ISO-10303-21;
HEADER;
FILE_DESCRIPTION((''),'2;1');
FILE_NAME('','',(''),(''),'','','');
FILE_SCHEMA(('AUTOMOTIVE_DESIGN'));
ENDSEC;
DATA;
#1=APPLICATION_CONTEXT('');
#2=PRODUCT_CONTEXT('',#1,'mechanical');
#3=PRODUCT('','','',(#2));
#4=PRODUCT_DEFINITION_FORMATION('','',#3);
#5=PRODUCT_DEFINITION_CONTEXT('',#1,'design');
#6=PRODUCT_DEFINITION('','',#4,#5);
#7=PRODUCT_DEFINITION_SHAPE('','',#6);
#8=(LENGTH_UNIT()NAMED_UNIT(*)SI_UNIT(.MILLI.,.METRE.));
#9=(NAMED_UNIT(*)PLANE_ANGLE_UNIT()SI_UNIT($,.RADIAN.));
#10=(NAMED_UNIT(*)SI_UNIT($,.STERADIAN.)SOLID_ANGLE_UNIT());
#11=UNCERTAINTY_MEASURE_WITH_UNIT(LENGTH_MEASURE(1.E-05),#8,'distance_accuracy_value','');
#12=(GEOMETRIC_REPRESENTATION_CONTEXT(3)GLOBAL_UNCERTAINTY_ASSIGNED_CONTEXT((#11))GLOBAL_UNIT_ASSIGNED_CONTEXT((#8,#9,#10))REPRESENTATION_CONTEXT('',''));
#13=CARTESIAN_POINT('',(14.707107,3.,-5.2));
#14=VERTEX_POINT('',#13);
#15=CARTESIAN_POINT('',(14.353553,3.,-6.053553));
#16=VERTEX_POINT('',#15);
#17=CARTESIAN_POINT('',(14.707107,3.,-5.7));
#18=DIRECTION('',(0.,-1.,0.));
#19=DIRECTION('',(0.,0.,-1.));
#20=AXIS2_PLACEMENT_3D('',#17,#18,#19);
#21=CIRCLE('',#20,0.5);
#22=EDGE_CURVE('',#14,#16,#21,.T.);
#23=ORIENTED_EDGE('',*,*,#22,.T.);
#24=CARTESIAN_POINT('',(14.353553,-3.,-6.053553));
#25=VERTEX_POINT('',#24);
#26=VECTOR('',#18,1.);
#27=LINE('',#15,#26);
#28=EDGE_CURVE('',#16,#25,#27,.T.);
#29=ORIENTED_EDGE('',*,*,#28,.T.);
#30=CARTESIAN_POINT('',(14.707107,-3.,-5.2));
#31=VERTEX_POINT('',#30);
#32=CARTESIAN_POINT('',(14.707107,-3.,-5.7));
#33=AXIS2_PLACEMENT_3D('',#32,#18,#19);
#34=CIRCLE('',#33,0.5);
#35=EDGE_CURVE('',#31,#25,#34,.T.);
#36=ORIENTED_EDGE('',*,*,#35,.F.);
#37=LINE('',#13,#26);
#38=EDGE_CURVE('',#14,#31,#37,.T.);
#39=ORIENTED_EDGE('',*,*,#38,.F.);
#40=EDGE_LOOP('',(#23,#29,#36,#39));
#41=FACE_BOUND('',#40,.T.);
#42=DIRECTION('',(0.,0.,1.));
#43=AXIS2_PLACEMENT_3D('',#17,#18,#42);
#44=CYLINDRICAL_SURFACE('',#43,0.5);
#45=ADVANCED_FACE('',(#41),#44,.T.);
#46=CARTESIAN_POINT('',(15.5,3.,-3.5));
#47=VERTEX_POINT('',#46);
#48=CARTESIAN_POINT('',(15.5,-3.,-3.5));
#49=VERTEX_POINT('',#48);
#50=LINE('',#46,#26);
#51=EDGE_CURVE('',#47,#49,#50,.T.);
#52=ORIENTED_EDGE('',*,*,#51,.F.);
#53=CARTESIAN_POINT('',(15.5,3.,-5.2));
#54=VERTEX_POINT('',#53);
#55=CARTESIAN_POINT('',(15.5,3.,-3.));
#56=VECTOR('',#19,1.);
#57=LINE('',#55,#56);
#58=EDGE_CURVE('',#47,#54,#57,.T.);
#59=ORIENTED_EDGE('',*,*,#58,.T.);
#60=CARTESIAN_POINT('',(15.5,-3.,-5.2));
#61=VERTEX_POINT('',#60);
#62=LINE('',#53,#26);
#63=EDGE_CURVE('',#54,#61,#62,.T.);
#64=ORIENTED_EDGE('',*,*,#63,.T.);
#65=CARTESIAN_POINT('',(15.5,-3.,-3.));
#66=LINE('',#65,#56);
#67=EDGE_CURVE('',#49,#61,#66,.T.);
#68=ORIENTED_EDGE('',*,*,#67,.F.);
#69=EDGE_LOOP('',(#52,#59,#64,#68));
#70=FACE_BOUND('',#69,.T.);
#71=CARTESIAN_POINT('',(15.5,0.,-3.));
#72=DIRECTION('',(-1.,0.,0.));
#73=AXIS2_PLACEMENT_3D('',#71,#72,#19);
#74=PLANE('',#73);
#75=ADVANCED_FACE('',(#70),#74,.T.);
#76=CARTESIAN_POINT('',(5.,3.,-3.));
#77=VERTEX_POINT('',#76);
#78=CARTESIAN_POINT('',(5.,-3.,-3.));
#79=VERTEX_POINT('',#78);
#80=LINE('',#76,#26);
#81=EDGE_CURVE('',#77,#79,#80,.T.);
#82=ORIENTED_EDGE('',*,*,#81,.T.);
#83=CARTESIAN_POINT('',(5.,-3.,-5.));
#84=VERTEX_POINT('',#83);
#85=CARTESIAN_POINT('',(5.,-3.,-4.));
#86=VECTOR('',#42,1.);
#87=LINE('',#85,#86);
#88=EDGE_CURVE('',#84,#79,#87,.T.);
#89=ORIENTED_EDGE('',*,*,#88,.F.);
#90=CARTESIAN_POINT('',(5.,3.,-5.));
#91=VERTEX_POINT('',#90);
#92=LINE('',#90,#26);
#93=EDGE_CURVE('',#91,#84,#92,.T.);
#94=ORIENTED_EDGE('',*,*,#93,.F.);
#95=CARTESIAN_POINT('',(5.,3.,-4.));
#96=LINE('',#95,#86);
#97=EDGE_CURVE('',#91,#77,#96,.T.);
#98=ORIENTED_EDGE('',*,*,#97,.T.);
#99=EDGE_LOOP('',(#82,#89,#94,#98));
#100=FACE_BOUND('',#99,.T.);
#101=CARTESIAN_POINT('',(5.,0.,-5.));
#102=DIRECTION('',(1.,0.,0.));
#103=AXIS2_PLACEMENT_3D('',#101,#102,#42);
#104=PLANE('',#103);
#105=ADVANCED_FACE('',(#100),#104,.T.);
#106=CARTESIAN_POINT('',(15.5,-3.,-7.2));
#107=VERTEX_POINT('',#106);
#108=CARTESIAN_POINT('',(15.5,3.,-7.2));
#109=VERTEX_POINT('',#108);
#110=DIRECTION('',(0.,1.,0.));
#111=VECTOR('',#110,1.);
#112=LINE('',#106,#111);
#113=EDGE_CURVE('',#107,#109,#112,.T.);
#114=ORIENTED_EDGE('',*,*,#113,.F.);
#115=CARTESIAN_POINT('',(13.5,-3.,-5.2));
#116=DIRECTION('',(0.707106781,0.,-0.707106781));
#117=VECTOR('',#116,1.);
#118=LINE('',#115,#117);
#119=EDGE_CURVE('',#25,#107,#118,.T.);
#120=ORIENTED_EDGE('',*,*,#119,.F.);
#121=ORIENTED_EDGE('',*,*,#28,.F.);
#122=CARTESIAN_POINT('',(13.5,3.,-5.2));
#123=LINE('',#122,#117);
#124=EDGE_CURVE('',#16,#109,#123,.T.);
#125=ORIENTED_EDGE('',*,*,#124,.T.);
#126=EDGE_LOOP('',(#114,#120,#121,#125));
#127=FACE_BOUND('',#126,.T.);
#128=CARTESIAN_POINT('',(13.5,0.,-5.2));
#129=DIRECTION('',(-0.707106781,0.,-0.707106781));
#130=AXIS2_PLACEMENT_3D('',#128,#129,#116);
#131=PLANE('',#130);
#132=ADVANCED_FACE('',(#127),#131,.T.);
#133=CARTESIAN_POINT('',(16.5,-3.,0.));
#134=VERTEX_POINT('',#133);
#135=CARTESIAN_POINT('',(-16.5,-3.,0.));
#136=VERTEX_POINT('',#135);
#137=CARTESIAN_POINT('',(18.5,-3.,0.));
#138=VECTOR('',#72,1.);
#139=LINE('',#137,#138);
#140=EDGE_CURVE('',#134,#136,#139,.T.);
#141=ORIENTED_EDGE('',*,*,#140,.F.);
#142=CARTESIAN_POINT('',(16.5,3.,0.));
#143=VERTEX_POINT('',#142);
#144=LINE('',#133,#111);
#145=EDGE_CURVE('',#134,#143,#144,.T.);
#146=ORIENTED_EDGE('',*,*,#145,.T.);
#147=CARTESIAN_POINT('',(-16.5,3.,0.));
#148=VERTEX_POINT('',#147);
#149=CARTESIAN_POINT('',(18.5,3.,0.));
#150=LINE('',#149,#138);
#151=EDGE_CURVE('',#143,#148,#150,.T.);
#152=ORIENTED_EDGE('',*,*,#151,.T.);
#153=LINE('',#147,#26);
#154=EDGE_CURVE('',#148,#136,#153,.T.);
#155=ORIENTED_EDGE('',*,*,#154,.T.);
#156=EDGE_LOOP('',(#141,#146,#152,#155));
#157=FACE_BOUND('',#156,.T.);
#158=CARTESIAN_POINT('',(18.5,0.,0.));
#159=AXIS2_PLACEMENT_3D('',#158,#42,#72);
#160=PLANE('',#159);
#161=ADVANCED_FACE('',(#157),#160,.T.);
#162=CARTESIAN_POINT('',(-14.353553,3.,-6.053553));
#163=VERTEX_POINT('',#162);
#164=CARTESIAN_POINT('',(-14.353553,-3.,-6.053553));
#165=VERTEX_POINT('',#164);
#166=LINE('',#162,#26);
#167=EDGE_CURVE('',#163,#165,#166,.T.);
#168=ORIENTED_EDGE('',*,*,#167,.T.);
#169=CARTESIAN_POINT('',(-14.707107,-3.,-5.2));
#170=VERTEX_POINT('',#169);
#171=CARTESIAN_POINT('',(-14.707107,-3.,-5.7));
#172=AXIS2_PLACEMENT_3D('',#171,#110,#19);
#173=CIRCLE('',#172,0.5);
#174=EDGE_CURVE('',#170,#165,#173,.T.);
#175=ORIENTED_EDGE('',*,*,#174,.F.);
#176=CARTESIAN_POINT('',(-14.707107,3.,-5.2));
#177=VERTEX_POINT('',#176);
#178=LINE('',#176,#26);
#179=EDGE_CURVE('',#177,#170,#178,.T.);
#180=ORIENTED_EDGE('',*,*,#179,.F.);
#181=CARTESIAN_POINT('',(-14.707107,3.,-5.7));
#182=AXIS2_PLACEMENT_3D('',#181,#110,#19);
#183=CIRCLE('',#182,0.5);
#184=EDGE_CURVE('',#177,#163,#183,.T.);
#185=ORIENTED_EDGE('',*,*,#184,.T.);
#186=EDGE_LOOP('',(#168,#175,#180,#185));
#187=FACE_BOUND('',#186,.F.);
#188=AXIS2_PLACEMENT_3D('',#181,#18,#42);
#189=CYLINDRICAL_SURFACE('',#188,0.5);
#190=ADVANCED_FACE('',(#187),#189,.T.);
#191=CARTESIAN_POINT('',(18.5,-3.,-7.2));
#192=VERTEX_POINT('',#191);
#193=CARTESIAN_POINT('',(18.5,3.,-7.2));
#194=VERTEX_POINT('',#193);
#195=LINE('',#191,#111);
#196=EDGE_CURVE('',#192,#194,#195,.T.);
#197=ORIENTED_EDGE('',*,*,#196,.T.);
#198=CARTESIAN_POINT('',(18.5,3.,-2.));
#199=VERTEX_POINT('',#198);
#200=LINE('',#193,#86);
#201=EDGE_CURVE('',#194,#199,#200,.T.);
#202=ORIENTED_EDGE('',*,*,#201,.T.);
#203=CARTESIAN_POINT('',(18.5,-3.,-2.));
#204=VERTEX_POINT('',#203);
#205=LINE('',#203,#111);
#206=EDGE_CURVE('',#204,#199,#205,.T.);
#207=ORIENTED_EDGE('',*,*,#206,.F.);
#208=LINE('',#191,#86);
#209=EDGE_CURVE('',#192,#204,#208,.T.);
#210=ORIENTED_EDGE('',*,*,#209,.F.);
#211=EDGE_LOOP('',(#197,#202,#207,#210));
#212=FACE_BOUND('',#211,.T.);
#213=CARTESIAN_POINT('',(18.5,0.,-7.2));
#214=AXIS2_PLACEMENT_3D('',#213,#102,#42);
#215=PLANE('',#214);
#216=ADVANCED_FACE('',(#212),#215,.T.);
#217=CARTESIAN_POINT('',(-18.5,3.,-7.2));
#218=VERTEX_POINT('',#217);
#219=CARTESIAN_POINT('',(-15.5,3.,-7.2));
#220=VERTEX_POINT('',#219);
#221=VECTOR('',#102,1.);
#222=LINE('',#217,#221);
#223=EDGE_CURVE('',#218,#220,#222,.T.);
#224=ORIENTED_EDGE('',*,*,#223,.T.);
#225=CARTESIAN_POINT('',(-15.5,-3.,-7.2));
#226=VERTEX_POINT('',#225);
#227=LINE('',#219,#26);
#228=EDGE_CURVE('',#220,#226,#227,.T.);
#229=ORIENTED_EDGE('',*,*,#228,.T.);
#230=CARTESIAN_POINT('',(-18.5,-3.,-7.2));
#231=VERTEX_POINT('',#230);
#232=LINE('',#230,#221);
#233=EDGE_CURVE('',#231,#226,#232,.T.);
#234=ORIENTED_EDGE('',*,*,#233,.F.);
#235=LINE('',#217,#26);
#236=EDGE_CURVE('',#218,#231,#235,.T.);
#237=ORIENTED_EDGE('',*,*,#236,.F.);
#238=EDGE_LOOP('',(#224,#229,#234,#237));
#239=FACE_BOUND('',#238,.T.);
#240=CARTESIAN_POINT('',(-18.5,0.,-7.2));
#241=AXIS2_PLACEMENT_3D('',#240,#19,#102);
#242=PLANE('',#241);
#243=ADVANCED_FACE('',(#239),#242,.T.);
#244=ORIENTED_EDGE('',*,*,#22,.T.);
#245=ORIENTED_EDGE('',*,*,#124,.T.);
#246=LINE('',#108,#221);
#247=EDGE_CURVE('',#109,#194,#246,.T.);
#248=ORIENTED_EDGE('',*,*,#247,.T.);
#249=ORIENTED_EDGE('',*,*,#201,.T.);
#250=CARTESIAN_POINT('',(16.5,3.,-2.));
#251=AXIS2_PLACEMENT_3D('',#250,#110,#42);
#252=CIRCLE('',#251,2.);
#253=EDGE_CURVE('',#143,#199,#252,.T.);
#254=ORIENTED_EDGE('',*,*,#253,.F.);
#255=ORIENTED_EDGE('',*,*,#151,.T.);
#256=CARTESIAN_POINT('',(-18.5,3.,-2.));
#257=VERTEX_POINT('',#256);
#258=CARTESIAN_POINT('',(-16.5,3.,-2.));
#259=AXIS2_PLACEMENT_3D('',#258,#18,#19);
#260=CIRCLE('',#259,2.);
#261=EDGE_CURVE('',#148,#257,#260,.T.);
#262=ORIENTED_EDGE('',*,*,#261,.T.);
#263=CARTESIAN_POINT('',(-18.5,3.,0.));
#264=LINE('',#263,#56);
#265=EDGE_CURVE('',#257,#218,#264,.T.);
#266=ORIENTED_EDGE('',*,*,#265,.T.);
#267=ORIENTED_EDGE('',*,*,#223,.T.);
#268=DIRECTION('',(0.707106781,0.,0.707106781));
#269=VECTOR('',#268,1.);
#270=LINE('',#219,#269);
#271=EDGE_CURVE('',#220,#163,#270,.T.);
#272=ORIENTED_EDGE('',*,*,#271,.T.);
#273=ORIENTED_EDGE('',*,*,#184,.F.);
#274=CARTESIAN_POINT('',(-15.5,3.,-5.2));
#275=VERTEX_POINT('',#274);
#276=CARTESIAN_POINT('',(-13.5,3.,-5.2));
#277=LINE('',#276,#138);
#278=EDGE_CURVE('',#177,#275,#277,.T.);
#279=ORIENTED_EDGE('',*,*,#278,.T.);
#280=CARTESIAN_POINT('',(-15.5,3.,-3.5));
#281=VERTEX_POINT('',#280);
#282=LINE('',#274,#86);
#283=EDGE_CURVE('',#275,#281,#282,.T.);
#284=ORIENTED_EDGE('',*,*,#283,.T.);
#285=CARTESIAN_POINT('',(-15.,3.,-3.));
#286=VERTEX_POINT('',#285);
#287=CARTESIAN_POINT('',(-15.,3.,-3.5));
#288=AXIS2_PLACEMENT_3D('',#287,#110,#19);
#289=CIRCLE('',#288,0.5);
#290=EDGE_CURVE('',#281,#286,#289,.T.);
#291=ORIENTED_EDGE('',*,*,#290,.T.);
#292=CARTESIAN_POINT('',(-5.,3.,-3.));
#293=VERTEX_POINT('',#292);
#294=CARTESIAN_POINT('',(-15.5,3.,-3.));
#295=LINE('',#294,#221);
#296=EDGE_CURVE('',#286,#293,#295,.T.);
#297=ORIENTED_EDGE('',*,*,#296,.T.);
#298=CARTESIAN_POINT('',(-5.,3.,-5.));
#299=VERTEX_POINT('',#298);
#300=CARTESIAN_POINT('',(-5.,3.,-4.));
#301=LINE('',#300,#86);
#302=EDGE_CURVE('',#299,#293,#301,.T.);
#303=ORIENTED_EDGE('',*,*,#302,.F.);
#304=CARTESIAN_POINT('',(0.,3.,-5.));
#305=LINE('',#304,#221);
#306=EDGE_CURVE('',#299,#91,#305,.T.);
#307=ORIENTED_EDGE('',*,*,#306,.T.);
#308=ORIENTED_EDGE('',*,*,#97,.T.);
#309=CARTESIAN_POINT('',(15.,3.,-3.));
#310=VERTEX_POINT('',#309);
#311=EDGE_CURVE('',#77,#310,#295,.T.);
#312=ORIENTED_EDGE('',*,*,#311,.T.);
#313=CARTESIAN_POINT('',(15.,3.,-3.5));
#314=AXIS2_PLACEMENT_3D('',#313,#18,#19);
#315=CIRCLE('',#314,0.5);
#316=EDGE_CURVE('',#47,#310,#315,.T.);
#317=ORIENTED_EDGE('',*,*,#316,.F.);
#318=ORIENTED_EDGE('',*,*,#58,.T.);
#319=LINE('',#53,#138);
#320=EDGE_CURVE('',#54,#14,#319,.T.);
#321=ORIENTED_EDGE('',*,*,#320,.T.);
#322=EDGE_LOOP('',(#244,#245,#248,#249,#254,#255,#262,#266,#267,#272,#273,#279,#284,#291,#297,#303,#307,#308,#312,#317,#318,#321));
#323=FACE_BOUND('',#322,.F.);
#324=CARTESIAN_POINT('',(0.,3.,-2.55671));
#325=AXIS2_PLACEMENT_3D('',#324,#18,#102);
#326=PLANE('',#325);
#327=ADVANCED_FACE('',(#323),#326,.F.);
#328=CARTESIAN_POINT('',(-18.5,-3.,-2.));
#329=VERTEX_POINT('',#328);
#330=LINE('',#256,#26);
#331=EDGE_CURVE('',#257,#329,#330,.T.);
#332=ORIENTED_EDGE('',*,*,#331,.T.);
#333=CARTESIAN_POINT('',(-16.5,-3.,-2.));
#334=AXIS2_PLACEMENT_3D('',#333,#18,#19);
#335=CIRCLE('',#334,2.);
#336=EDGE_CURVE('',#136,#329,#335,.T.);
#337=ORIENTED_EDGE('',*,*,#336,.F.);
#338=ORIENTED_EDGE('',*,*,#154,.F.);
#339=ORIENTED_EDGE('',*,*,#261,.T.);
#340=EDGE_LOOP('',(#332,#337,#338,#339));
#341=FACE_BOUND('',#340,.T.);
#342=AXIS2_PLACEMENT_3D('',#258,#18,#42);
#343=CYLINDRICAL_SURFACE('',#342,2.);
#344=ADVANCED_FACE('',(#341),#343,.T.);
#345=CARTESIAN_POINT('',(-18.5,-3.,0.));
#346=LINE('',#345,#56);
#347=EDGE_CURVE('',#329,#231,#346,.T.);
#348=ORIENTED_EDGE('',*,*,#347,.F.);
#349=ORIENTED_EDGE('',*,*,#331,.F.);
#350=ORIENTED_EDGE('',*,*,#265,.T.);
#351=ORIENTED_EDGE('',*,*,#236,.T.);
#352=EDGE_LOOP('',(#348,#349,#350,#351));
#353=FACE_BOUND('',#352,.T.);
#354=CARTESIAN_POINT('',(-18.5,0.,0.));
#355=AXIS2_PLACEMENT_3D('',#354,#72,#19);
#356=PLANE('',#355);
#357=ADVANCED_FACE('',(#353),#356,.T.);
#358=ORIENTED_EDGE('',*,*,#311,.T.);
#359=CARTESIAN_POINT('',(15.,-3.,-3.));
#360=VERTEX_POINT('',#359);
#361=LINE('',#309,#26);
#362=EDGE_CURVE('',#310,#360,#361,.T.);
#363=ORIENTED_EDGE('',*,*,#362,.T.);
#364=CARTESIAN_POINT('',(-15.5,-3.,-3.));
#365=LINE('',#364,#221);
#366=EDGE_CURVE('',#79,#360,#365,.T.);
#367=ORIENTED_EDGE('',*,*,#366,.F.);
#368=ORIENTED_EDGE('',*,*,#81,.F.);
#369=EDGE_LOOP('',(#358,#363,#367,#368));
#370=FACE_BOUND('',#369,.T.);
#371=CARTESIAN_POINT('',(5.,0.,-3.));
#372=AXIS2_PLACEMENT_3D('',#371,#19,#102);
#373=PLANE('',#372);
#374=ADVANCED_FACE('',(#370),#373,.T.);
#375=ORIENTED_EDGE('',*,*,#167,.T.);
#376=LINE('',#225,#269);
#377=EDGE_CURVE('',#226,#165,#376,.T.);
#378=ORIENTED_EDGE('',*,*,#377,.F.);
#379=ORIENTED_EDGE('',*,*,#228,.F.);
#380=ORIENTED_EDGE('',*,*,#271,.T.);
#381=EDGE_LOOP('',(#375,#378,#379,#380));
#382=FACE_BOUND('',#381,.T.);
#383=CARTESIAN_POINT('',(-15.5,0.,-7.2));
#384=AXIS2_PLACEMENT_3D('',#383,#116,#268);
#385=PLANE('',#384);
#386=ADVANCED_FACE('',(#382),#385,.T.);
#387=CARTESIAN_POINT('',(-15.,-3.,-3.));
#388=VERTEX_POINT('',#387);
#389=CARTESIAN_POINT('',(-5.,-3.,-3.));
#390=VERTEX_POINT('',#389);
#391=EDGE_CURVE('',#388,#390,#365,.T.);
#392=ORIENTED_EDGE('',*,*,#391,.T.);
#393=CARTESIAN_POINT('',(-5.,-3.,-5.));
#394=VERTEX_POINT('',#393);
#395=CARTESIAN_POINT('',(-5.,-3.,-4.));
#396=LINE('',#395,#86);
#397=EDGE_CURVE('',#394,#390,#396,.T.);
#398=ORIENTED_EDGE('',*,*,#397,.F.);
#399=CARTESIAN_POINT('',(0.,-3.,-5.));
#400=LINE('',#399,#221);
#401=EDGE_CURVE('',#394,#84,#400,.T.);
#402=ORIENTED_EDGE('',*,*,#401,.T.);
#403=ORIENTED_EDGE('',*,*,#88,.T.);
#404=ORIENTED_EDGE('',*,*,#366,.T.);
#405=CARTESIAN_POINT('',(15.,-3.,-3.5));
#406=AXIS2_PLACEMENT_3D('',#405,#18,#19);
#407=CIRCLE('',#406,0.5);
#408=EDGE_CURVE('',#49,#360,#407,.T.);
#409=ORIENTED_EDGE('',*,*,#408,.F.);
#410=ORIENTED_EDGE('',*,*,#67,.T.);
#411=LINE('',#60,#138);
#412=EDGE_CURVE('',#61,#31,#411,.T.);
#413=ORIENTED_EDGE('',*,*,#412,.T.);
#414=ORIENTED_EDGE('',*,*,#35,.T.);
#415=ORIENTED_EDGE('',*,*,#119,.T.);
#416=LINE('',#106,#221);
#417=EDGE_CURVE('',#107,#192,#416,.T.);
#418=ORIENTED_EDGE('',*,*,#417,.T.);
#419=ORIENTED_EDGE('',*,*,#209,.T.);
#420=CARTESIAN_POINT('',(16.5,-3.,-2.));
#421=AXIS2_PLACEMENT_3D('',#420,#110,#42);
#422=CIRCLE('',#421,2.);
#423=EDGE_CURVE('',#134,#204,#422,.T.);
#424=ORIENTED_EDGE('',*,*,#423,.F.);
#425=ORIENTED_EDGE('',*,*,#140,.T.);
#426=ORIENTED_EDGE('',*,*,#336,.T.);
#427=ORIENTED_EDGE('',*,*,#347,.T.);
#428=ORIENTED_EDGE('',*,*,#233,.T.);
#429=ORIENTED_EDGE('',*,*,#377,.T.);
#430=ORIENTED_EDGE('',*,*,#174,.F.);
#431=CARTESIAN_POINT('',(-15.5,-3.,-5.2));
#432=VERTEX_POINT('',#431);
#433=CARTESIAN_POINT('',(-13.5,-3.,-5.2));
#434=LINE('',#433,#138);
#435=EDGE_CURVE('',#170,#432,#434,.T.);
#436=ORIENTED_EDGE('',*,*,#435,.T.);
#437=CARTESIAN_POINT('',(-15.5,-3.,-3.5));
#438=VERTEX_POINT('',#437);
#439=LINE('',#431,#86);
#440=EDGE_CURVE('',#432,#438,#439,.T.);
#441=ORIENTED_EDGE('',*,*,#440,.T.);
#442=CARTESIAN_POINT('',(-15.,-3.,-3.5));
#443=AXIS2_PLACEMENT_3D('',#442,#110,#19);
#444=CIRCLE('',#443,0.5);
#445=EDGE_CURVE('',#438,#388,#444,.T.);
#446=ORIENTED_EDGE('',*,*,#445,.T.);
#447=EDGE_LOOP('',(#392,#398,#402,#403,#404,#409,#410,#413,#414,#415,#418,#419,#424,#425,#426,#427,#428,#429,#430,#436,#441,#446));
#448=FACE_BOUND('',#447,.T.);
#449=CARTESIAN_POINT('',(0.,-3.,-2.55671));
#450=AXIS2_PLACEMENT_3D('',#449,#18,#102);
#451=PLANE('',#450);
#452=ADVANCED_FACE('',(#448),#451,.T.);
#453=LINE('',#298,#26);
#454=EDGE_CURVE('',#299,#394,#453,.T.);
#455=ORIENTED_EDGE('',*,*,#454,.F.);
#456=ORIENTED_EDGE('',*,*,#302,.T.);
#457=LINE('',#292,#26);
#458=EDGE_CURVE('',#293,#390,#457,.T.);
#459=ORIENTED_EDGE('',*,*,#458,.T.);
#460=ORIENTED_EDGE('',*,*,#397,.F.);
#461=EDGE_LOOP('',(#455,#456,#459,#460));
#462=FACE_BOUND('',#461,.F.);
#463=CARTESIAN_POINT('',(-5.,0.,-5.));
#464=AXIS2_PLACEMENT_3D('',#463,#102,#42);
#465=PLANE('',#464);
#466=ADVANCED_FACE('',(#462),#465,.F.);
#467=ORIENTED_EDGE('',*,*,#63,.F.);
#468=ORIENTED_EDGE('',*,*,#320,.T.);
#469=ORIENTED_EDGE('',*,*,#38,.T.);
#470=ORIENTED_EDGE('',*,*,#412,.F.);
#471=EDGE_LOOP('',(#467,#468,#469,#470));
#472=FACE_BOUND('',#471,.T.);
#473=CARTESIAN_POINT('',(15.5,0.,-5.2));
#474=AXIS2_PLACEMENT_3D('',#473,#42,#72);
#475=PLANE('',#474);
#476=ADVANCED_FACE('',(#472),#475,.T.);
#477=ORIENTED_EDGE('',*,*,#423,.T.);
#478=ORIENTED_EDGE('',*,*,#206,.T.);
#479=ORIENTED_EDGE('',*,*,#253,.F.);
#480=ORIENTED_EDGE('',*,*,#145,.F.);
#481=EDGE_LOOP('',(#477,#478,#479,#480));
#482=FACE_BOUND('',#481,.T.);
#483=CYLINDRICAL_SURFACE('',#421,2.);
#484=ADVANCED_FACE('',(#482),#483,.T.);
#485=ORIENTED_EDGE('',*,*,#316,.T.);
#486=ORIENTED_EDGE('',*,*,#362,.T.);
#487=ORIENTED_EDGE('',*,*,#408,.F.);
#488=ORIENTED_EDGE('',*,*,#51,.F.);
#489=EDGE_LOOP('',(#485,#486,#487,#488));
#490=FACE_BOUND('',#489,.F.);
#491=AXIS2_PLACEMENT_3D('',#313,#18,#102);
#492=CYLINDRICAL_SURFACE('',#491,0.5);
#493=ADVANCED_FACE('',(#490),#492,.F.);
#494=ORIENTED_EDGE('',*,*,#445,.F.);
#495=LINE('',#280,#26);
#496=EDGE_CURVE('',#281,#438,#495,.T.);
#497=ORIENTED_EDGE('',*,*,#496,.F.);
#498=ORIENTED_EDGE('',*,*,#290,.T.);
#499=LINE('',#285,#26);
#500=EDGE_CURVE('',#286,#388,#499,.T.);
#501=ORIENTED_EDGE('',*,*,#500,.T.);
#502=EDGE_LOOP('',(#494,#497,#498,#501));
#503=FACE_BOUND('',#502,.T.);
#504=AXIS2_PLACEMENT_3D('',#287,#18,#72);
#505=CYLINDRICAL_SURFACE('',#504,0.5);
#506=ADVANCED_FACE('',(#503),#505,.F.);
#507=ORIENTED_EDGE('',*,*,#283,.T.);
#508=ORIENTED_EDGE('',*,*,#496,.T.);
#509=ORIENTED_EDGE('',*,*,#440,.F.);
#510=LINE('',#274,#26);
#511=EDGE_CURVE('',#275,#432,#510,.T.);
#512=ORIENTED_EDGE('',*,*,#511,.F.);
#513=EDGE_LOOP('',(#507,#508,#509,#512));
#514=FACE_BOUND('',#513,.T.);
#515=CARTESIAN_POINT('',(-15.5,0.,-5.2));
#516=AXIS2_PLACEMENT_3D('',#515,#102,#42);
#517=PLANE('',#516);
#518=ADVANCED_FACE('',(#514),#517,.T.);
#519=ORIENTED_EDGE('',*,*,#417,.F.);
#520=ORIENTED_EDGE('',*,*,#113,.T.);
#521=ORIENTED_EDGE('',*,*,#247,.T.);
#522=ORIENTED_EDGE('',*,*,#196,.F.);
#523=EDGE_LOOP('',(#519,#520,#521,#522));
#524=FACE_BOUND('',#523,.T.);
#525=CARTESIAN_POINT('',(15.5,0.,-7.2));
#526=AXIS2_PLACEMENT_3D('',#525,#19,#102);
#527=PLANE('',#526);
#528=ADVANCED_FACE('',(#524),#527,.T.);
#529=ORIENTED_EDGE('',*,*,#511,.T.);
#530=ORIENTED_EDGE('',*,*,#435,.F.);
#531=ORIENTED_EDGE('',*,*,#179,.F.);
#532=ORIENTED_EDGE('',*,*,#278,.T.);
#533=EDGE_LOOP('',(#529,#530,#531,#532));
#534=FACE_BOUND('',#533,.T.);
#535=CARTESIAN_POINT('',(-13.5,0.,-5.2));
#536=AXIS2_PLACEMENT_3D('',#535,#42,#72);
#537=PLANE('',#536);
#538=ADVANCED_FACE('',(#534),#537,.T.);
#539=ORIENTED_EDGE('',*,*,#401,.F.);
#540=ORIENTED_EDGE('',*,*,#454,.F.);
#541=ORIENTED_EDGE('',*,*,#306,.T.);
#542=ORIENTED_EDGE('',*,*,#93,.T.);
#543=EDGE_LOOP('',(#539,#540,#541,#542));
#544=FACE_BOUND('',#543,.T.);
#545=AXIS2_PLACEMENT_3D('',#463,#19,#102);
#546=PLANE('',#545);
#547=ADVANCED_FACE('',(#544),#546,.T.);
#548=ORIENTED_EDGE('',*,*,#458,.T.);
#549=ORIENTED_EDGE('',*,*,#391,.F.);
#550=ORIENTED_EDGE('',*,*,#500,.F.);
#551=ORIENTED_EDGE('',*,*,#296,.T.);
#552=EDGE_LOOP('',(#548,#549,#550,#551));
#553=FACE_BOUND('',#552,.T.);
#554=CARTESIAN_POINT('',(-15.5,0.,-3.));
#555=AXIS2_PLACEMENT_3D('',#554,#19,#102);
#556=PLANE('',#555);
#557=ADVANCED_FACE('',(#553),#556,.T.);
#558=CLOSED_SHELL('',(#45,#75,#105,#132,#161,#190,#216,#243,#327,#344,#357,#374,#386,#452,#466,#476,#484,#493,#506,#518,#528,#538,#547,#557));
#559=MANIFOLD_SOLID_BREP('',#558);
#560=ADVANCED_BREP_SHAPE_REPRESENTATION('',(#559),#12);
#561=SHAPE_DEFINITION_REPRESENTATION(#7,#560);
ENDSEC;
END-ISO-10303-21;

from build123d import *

# Parameters (mm, degrees)
F0_W     = 10
F0_H     = 2
F1_DEPTH = 3
F2_R     = 2
F3_R     = 0.5
F4_R     = 0.5


with BuildPart() as f1:
    # F0 (on Front) → F1 (new body, symmetric)
    with BuildSketch(Plane.XZ):
        Polygon((18.5, 0), (-18.5, 0), (-18.5, -7.2), (-15.5, -7.2), (-13.5, -5.2), (-15.5, -5.2), (-15.5, -3), (-5, -3), (5, -3), (15.5, -3), (15.5, -5.2), (13.5, -5.2), (15.5, -7.2), (18.5, -7.2), align=None)
        with Locations((0, -4)):
            Rectangle(F0_W, F0_H)
    extrude(amount=F1_DEPTH, both=True)

    # F2
    f2_edges = [f1.edges().sort_by_distance(p)[0] for p in [
        (18.5, 0, 0),
        (-18.5, 0, 0),
    ]]
    fillet(f2_edges, radius=F2_R)

    # F3
    f3_edges = [f1.edges().sort_by_distance(p)[0] for p in [
        (15.5, 0, -3),
        (-15.5, 0, -3),
    ]]
    fillet(f3_edges, radius=F3_R)

    # F4
    f4_edges = [f1.edges().sort_by_distance(p)[0] for p in [
        (13.5, 0, -5.2),
        (-13.5, 0, -5.2),
    ]]
    fillet(f4_edges, radius=F4_R)


solid = f1.part
